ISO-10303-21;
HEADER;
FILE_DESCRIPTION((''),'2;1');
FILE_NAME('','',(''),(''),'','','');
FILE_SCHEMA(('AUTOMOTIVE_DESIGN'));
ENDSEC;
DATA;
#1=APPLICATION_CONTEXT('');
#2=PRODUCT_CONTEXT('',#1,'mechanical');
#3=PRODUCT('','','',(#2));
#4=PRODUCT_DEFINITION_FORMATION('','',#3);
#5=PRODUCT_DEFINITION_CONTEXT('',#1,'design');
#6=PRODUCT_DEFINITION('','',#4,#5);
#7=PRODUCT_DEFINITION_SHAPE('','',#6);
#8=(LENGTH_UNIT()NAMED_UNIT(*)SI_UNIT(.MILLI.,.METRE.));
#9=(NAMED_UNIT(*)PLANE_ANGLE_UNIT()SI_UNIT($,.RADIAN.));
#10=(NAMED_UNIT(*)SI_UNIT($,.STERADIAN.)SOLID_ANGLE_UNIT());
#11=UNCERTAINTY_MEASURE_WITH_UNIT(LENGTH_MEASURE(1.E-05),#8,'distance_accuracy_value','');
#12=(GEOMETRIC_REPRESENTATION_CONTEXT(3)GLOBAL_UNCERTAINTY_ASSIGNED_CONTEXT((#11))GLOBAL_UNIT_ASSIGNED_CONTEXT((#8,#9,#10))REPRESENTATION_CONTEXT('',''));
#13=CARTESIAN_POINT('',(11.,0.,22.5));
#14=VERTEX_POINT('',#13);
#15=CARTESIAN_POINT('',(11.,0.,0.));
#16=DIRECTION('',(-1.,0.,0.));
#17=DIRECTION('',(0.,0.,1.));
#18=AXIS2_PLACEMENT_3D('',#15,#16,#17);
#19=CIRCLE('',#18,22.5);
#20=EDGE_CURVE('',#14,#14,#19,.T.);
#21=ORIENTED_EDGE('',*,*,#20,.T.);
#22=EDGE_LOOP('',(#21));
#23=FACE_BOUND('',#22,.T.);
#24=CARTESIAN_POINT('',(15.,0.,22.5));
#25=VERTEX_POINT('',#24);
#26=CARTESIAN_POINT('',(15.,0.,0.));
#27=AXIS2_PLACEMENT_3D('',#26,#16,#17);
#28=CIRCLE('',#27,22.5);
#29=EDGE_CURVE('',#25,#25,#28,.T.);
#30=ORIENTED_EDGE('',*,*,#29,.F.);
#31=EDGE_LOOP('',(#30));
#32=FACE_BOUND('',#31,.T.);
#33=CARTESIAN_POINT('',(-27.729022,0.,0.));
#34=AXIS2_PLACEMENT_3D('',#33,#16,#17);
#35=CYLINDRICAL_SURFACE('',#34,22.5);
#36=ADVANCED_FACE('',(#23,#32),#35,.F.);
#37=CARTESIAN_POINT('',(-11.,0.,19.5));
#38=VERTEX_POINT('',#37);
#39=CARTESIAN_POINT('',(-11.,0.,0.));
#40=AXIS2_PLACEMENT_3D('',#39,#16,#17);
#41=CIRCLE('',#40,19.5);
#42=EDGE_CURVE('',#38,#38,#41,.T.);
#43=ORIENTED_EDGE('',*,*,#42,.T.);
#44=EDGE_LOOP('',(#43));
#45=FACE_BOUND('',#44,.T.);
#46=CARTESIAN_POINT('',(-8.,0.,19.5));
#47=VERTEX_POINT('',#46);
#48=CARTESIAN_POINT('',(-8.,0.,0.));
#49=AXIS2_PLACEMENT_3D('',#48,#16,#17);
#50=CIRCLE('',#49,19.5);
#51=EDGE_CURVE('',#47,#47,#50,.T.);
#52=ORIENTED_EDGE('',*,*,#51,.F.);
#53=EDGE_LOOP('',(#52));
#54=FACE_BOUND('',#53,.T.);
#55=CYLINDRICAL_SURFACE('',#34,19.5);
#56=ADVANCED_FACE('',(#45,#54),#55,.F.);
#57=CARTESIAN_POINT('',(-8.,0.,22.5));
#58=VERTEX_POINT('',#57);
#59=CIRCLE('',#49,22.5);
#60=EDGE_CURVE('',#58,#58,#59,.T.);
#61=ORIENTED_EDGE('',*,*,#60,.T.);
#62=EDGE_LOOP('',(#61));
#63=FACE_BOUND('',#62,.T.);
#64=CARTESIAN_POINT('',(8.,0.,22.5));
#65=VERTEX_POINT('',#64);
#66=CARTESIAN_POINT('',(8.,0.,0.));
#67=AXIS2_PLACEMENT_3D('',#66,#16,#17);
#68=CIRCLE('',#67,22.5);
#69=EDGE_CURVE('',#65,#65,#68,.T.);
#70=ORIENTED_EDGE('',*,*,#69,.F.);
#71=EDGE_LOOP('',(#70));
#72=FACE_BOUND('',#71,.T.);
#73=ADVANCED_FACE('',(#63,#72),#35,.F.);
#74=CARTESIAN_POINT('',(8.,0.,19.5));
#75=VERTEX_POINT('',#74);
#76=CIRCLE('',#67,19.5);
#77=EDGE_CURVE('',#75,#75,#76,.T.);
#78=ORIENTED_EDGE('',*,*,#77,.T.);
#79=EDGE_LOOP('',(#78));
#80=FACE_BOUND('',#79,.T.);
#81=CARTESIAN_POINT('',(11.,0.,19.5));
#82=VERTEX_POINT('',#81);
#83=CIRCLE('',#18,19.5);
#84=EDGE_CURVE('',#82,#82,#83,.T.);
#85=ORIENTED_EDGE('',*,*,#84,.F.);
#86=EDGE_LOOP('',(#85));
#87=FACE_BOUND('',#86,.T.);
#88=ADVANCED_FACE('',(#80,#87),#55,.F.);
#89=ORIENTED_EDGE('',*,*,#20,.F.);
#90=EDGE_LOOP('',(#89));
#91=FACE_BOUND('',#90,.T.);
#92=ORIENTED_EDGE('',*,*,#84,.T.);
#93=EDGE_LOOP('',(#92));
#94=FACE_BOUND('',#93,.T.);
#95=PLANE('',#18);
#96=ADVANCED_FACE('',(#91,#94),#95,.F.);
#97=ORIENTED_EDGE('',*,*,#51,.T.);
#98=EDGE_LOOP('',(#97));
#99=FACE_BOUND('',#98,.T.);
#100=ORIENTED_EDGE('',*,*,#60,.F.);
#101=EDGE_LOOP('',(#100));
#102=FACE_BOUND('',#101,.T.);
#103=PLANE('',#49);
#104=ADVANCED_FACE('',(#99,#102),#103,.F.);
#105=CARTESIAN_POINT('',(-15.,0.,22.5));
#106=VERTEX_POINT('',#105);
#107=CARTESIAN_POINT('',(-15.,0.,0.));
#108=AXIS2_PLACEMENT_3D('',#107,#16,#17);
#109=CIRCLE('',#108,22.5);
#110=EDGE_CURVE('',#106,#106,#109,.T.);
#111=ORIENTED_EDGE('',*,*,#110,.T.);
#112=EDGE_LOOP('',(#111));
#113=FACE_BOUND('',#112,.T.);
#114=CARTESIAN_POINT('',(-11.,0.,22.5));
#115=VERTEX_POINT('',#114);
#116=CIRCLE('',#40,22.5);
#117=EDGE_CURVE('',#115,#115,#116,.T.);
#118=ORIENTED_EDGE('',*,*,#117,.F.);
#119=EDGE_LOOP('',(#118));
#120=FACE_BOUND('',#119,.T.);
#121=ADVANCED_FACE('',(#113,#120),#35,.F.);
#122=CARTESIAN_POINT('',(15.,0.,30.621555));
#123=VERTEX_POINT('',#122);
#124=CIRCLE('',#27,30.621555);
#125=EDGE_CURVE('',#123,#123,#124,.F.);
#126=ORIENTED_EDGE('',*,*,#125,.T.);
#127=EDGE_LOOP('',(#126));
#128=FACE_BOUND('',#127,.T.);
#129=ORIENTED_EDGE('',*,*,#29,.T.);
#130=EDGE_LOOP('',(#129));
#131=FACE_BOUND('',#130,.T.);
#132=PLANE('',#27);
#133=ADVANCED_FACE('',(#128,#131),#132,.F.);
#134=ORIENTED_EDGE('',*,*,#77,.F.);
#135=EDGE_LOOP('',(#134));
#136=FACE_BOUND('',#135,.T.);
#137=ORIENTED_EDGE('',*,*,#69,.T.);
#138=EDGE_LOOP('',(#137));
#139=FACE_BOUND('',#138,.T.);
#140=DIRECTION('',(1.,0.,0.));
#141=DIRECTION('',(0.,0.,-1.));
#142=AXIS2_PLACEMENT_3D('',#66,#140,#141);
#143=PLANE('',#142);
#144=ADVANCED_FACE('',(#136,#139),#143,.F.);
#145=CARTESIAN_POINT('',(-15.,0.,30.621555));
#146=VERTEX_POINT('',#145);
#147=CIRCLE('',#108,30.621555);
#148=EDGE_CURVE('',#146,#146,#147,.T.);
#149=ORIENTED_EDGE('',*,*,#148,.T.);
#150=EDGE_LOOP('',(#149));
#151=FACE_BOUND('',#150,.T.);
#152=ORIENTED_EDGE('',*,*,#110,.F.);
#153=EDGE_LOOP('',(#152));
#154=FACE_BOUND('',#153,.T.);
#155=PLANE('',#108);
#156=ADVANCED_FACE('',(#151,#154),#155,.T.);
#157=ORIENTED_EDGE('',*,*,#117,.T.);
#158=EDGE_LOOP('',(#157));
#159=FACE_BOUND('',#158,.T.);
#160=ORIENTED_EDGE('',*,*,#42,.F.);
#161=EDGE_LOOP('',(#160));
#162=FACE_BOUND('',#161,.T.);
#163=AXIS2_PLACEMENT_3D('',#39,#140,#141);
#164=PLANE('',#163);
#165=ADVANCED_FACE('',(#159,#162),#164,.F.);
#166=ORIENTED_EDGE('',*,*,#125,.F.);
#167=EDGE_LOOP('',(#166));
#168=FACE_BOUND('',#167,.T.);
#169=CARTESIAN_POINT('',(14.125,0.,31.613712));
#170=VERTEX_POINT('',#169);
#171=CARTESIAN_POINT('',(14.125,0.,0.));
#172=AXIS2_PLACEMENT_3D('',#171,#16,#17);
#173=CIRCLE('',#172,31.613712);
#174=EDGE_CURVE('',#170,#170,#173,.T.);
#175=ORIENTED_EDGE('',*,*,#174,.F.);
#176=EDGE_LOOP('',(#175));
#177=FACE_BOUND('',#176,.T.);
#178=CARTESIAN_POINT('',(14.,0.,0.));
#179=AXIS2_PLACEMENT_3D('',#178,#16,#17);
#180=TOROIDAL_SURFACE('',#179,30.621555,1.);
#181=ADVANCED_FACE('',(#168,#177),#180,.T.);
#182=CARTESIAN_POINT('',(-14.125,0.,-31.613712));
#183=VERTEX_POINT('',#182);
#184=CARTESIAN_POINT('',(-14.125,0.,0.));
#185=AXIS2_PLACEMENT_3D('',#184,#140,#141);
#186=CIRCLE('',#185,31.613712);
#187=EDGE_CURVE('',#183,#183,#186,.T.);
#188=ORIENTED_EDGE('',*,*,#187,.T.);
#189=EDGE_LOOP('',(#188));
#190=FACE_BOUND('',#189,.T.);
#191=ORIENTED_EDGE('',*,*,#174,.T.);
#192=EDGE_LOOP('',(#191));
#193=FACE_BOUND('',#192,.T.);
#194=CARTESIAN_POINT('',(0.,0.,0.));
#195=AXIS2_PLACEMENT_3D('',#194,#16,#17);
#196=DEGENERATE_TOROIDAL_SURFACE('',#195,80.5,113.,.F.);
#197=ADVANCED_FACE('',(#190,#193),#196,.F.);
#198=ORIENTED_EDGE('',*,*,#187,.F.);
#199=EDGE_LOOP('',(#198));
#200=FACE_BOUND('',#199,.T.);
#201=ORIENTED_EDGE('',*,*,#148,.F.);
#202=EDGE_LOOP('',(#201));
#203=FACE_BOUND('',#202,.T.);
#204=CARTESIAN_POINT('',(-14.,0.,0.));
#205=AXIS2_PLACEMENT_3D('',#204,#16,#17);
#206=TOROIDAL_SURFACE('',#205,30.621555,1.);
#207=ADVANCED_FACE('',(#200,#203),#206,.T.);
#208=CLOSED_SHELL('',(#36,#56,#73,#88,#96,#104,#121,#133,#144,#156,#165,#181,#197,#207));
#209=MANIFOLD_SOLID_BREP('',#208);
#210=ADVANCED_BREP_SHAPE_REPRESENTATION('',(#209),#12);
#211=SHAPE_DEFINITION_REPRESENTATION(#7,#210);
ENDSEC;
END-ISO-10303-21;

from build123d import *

# Parameters (mm, degrees)
FILLET_1_R = 1


with BuildPart() as part:
    # Эскиз1 → Повернуть1 (revolve)
    with BuildSketch(Plane.XY, mode=Mode.PRIVATE) as revolve_1_sk:
        with BuildLine():
            ThreePointArc((-15, 31.5), (0, 32.5), (15, 31.5))
            Line((15, 31.5), (15, 22.5))
            Line((15, 22.5), (11, 22.5))
            Line((11, 22.5), (11, 19.5))
            Line((11, 19.5), (8, 19.5))
            Line((8, 19.5), (8, 22.5))
            Line((8, 22.5), (-8, 22.5))
            Line((-8, 22.5), (-8, 19.5))
            Line((-8, 19.5), (-11, 19.5))
            Line((-11, 19.5), (-11, 22.5))
            Line((-11, 22.5), (-15, 22.5))
            Line((-15, 22.5), (-15, 31.5))
        make_face()
    revolve(revolve_1_sk.sketch.rotate(Axis((-27.729022135, 0, 0), (1, 0, 0)), 90), axis=Axis((-27.729022135, 0, 0), (1, 0, 0)))

    # Скругление1
    fillet_1_edges = [part.edges().sort_by_distance(p)[0] for p in [
        (15, 0, -31.5),
        (-15, 0, -31.5),
    ]]
    fillet(fillet_1_edges, radius=FILLET_1_R)


solid = part.part
